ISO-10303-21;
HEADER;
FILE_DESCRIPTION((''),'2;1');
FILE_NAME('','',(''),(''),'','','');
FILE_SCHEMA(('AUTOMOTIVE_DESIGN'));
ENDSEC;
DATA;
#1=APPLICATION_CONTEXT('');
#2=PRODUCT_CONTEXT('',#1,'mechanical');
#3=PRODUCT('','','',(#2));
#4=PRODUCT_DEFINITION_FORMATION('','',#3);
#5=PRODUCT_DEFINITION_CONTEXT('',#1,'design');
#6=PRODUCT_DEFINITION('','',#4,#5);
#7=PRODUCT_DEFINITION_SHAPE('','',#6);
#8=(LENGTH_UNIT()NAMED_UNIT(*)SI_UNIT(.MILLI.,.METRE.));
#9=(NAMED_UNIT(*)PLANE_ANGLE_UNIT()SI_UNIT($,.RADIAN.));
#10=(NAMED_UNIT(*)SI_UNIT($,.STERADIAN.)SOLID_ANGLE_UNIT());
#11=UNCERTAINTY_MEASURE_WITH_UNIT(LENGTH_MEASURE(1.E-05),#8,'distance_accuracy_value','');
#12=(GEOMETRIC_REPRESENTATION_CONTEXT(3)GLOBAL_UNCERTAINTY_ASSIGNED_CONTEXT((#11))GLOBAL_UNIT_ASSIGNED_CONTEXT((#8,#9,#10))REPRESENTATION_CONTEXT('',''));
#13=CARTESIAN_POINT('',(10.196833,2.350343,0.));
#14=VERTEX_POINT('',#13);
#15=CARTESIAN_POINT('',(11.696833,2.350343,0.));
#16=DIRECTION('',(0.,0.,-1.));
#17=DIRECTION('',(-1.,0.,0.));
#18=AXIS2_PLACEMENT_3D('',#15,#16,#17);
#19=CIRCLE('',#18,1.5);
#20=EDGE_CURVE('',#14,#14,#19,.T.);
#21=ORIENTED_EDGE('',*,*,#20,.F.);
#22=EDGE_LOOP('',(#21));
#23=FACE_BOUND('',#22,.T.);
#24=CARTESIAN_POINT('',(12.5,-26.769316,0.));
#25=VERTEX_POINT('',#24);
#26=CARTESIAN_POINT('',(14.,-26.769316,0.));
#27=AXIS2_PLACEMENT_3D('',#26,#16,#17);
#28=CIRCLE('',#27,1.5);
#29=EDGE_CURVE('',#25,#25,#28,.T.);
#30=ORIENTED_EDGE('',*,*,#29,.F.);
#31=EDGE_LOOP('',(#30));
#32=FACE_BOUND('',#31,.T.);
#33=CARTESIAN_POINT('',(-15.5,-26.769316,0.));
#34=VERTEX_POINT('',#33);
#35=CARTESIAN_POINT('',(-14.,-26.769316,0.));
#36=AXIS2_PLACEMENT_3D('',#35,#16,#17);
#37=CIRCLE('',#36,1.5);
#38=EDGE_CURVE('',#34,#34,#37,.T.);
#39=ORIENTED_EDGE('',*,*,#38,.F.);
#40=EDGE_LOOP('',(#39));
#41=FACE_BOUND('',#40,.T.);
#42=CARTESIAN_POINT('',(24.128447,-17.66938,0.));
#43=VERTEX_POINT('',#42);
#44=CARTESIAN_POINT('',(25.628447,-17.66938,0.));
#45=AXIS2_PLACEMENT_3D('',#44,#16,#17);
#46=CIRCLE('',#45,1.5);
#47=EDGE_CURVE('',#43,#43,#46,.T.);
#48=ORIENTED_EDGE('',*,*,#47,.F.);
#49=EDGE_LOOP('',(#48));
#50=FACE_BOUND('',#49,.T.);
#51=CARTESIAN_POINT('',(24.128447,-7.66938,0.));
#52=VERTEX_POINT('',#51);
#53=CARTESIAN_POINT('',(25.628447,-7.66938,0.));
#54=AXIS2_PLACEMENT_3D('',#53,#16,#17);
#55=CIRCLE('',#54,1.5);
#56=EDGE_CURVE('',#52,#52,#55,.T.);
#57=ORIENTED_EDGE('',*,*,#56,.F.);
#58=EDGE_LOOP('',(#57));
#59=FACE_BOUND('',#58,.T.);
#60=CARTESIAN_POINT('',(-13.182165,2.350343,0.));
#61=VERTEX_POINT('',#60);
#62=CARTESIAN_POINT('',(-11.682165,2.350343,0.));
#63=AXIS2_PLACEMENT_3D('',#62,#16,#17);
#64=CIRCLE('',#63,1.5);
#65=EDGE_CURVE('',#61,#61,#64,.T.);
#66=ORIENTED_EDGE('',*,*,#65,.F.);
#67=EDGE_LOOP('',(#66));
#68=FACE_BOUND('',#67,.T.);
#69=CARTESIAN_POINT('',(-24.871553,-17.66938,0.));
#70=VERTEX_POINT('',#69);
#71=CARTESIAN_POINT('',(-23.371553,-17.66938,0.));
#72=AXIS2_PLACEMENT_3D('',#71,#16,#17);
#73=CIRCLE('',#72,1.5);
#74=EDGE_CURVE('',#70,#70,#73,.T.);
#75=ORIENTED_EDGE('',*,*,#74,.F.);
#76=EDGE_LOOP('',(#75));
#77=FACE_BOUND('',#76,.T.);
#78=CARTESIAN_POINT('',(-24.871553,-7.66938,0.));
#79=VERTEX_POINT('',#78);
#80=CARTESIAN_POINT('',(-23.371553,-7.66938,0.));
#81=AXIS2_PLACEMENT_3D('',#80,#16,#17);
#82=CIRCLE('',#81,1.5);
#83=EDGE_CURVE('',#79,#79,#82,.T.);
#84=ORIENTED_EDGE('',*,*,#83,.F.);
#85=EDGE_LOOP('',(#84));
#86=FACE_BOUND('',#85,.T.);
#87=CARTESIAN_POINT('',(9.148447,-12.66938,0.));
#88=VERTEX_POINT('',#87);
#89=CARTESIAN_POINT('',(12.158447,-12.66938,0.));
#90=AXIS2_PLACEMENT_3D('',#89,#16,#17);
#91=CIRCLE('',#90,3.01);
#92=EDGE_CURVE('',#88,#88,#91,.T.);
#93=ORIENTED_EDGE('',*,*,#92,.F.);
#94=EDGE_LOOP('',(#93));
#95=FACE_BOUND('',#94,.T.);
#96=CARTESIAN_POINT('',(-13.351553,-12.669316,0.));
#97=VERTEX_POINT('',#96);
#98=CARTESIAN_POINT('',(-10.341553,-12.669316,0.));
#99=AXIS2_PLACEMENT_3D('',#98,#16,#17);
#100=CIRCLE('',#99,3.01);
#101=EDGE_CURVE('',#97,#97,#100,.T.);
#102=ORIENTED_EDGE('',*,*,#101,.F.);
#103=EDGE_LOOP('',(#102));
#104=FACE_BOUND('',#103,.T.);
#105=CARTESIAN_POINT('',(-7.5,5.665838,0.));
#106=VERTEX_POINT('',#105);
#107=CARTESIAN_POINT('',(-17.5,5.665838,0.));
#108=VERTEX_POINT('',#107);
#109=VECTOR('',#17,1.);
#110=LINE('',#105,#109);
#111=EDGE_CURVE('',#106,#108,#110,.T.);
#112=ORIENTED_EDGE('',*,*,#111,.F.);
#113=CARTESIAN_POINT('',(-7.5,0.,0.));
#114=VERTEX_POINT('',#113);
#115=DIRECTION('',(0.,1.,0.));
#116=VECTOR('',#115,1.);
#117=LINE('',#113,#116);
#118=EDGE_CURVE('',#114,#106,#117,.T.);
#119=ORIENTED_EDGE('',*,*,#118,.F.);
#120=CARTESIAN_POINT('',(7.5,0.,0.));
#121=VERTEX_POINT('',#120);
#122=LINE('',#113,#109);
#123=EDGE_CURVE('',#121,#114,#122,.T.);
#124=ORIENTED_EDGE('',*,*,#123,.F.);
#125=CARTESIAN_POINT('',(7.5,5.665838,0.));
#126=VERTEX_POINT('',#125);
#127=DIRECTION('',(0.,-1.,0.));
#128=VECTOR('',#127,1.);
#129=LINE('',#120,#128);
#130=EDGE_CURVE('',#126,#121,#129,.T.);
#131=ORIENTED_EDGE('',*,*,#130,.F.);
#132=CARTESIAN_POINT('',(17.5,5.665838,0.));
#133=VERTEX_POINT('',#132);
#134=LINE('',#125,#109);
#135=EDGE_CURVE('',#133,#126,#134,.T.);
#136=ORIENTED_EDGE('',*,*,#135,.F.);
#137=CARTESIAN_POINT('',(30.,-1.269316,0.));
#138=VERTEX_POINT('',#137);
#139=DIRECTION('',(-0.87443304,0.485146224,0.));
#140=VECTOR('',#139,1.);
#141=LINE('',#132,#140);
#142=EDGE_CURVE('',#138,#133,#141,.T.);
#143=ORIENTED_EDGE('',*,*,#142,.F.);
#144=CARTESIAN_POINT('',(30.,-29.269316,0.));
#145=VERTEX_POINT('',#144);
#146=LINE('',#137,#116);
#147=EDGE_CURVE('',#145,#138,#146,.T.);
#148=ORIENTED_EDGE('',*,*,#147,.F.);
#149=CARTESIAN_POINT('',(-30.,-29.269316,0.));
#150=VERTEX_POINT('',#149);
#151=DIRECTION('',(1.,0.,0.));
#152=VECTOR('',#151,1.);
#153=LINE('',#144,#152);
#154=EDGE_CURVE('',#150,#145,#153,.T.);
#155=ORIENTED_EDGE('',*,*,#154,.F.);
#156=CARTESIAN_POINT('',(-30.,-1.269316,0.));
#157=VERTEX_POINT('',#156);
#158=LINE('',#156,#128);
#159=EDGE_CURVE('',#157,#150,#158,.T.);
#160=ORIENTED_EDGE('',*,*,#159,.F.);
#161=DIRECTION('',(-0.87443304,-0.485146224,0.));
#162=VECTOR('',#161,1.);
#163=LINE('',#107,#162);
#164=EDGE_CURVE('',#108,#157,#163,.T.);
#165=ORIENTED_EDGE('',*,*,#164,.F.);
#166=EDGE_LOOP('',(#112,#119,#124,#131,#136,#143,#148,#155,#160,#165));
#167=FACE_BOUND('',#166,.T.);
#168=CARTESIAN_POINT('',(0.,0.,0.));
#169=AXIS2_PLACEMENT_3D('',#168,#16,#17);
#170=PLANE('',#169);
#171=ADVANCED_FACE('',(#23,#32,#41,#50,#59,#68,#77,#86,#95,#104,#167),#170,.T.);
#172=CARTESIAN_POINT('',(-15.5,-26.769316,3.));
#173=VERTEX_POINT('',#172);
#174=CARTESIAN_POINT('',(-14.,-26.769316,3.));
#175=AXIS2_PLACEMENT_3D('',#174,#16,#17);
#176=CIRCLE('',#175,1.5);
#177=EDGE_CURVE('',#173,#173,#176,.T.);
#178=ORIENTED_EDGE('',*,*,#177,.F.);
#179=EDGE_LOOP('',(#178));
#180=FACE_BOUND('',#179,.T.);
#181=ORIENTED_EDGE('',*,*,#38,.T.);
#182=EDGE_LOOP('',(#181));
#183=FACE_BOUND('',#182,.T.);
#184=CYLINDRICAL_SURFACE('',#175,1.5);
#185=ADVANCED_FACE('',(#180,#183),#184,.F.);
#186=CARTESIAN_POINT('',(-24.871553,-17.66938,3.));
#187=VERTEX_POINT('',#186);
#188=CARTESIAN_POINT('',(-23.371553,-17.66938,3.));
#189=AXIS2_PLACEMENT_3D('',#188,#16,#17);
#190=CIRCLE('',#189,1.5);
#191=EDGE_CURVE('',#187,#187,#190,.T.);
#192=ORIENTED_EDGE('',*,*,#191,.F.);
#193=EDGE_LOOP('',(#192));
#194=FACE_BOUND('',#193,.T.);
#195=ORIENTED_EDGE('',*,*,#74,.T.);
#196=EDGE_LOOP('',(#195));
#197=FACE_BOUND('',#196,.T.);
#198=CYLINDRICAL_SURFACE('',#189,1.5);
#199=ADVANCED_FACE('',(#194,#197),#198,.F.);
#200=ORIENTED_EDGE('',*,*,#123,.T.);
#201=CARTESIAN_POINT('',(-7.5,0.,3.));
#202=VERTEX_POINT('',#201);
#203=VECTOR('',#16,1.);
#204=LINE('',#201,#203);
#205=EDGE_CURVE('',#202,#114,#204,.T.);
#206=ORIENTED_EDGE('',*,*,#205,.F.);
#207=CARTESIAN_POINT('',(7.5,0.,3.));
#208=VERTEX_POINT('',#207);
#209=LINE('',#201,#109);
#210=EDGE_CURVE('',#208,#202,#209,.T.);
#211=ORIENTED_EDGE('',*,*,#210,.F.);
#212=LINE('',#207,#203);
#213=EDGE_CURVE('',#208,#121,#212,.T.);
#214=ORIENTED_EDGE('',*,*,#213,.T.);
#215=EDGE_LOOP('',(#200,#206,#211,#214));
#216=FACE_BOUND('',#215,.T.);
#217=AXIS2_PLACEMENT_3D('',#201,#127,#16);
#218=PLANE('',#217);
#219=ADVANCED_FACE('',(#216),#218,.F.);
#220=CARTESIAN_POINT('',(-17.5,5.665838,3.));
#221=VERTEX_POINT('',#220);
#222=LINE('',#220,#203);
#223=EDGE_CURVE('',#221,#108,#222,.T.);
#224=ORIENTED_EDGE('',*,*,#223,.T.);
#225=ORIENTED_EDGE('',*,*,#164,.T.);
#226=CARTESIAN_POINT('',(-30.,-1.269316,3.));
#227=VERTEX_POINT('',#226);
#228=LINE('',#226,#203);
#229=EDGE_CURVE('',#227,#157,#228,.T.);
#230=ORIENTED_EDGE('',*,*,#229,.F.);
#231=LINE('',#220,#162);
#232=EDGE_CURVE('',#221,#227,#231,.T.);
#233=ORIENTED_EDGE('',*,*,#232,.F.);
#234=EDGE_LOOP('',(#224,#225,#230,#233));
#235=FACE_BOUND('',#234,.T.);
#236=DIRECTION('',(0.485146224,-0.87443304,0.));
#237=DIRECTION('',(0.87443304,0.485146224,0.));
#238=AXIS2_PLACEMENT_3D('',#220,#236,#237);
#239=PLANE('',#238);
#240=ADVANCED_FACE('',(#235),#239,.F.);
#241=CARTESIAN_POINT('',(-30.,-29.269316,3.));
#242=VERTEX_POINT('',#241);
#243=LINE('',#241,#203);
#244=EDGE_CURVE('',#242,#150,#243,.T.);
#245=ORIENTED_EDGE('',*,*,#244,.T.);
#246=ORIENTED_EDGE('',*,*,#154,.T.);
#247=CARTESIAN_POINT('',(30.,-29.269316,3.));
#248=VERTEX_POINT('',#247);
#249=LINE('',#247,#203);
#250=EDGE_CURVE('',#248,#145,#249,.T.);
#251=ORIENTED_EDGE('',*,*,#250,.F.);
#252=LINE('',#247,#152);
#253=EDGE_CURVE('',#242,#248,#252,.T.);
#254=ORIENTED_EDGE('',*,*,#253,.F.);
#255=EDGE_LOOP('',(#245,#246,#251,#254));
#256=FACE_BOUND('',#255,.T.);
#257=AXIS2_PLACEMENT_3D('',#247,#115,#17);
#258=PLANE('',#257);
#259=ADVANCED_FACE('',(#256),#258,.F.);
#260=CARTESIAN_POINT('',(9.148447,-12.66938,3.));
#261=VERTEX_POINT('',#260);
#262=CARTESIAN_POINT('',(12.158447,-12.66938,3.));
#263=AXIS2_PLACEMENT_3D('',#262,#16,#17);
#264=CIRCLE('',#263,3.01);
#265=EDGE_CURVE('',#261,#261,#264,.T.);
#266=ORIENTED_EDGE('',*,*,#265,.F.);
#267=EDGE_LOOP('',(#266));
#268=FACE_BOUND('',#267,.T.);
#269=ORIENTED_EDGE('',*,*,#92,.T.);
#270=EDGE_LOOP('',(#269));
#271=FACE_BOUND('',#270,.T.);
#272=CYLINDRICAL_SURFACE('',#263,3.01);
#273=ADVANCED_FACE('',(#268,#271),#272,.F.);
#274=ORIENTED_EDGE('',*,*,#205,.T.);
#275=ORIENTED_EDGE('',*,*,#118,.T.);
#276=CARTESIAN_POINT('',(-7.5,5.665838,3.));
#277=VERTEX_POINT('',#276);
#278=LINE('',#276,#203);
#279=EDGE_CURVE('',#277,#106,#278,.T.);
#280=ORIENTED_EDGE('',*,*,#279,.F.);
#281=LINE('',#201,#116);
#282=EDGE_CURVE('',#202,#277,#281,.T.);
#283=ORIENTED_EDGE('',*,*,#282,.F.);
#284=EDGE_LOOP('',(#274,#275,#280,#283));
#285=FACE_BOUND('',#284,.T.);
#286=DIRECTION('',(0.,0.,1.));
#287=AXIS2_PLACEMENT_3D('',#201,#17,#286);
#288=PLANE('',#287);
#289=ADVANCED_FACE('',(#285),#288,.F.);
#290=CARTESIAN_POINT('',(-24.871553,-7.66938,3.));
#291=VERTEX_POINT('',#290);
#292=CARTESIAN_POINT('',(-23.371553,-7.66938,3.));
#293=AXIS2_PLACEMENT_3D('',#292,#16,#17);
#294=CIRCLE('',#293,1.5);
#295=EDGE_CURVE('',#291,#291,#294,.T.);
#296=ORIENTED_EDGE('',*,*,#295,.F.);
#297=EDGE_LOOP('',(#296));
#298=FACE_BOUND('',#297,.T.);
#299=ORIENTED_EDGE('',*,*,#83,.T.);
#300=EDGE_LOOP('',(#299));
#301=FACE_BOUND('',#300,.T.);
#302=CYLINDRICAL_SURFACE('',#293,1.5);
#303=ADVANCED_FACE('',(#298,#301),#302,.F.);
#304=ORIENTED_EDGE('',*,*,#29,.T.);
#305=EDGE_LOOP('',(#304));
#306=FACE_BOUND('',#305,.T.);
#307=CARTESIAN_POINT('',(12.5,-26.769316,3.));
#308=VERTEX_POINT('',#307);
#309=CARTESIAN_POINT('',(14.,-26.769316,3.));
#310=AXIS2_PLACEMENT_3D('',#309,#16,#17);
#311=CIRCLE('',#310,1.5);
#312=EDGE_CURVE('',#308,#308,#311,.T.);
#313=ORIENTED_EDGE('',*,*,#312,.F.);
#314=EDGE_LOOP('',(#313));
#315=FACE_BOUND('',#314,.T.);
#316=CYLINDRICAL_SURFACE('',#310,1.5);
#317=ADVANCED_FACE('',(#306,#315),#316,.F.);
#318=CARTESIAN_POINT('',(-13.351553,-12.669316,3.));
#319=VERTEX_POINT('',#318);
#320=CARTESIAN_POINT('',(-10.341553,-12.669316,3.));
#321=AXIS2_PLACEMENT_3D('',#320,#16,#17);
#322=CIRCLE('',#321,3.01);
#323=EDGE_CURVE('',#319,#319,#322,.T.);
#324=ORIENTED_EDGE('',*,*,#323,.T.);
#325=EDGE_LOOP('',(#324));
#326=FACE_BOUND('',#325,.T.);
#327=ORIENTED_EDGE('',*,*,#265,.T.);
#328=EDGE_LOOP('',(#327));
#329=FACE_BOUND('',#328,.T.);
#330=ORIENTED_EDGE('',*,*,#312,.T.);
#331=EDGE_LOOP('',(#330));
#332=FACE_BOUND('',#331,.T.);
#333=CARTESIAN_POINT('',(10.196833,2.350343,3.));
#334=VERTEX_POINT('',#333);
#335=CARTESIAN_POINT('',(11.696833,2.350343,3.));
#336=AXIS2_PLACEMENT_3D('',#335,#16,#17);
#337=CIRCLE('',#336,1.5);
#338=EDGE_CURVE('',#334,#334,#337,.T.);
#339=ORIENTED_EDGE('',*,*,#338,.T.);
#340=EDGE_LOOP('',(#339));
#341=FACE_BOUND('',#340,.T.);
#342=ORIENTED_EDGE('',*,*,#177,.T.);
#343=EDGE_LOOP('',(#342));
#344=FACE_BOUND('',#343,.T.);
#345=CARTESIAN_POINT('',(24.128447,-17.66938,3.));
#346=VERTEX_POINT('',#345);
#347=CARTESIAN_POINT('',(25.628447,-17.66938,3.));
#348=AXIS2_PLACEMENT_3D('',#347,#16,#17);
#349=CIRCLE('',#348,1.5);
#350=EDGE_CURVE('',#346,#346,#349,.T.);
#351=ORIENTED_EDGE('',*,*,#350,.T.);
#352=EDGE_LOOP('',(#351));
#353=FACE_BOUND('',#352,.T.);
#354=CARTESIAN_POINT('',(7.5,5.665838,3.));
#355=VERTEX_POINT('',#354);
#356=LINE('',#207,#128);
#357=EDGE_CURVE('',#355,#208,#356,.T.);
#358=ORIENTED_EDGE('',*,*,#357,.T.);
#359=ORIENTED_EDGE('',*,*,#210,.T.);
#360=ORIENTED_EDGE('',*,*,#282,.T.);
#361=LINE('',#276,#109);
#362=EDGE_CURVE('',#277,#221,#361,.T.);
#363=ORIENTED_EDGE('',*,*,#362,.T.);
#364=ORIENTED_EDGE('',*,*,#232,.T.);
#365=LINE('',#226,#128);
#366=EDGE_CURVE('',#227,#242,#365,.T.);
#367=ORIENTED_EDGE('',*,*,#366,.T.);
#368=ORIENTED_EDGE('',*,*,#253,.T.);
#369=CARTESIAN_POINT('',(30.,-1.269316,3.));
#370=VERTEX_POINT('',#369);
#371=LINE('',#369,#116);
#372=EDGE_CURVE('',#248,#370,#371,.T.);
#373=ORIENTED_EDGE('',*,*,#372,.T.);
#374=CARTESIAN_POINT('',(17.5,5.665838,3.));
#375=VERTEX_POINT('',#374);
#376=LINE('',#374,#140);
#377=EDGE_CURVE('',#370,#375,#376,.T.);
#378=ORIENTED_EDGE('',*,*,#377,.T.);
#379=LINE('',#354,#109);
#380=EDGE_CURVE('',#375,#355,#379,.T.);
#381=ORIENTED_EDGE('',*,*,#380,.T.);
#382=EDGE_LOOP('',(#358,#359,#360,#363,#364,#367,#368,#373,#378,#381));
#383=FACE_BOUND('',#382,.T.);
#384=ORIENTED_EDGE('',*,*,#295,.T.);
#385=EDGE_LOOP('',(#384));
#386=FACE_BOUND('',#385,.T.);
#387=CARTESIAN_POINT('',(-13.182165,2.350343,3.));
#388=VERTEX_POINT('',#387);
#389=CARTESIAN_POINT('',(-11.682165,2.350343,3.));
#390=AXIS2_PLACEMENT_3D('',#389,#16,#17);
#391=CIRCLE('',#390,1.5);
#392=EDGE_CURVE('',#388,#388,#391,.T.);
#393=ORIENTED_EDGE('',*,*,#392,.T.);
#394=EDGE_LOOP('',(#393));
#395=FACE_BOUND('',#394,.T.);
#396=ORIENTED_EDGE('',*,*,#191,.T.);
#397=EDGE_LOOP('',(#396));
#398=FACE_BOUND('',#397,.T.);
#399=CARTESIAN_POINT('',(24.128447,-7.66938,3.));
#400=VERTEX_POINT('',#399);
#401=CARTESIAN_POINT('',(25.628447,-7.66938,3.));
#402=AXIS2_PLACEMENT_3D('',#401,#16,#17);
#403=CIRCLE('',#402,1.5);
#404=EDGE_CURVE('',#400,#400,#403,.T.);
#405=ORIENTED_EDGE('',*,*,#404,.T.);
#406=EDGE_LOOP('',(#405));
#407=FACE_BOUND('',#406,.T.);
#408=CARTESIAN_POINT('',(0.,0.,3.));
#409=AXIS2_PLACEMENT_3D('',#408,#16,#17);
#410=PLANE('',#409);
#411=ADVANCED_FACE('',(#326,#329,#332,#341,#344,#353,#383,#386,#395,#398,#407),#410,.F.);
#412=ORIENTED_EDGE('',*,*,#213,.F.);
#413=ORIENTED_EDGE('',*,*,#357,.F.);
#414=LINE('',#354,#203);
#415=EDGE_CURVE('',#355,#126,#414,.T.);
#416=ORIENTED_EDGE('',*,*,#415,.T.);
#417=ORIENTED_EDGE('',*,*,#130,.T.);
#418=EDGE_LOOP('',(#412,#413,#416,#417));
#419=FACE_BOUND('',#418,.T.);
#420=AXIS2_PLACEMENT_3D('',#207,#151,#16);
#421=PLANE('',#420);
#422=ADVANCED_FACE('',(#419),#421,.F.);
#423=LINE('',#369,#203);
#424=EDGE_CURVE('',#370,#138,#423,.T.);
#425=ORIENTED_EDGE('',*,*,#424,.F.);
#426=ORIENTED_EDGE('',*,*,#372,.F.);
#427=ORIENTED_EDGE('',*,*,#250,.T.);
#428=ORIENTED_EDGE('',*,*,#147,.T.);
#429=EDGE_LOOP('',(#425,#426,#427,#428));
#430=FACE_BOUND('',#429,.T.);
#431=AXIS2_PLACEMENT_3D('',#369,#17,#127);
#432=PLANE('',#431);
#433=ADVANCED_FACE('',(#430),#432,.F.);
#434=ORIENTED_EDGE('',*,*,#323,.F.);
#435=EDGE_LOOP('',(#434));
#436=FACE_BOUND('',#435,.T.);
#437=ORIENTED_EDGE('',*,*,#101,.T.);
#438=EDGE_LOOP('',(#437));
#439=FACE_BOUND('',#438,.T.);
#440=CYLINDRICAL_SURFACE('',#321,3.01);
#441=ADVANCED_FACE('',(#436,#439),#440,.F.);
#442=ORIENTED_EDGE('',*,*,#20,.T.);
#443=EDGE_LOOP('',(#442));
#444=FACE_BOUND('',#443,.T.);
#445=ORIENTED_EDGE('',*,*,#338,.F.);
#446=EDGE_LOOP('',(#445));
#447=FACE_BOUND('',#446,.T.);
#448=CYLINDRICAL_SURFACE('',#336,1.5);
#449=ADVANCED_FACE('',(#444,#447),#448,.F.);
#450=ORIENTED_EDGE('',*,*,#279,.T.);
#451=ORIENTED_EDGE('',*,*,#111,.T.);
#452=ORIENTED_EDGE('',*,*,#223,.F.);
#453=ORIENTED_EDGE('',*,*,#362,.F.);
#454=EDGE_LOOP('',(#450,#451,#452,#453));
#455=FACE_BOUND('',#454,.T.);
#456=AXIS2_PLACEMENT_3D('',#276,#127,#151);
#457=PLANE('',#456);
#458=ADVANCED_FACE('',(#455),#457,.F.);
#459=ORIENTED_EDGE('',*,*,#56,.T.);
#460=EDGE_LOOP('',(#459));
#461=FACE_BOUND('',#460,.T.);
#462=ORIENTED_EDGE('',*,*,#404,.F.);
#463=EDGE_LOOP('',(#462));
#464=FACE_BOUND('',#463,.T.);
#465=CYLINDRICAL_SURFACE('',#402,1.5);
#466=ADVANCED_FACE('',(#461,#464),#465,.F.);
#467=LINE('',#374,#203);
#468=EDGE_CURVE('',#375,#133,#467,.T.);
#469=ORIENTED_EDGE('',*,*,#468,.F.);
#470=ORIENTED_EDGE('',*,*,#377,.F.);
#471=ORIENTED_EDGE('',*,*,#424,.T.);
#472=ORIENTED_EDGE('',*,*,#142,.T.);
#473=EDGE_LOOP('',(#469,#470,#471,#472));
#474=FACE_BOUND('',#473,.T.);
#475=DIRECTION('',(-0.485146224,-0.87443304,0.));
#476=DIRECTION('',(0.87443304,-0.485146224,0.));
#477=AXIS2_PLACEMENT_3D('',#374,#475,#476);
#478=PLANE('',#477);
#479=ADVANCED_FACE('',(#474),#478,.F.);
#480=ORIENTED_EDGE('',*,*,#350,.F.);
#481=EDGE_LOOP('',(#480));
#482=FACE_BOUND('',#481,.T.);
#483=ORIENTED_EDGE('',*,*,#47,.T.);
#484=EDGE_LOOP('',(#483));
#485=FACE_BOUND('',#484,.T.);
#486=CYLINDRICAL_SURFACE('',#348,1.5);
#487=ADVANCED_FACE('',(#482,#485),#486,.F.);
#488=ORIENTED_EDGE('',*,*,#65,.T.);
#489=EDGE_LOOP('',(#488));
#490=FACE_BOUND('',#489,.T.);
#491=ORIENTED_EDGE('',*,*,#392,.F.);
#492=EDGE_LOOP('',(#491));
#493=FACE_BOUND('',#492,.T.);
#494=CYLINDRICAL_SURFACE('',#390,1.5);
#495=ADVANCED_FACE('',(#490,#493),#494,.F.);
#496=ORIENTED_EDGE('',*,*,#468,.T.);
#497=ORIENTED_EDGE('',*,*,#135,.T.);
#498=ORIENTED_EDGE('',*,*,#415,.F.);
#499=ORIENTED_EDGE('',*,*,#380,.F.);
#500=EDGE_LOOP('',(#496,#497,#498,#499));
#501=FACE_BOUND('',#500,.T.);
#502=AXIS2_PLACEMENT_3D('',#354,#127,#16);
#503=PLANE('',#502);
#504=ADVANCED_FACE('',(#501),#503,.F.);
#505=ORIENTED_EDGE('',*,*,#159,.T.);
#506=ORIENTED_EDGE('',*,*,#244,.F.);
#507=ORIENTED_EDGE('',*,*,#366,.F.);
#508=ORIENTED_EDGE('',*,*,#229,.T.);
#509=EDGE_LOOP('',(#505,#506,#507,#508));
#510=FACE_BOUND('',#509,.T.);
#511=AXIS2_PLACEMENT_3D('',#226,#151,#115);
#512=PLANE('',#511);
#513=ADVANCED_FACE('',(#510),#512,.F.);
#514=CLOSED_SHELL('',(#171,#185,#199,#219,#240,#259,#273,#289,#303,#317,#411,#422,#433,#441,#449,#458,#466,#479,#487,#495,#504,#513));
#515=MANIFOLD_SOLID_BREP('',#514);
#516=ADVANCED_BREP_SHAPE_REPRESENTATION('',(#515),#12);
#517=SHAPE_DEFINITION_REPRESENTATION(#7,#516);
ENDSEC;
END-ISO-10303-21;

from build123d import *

# Parameters (mm, degrees)
EXTRUDE_1_DEPTH      = 3
SKETCH_2_R           = 1.5
CUT_EXTRUDE_7_DEPTH  = 43.02014847
SKETCH_4_R           = 1.5
CUT_EXTRUDE_8_DEPTH  = 43.02014847
SKETCH_5_R           = 3.01
CUT_EXTRUDE_9_DEPTH  = 43.02014847
SKETCH_6_R           = 1.5
CUT_EXTRUDE_10_DEPTH = 43.02014847


with BuildPart() as part:
    # 草图1 → 凸台-拉伸1 (new body)
    with BuildSketch(Plane.XY):
        Polygon((-7.5, 0), (7.5, 0), (7.5, 5.665837688), (17.5, 5.665837688), (30, -1.269316313), (30, -29.269316313), (-30, -29.269316313), (-30, -1.269316313), (-17.5, 5.665837688), (-7.5, 5.665837688), align=None)
    extrude(amount=EXTRUDE_1_DEPTH)

    # 草图2 → 切除-拉伸7 (cut, through all)
    with BuildSketch(Plane(origin=(0, 0, 0), x_dir=(-1, 0, 0), z_dir=(0, 0, -1))):
        with Locations((-25.62844718, -17.669380188)):
            Circle(SKETCH_2_R)
        with Locations((-25.62844718, -7.669380188)):
            Circle(SKETCH_2_R)
        with Locations((23.37155282, -17.669380188)):
            Circle(SKETCH_2_R)
        with Locations((23.37155282, -7.669380188)):
            Circle(SKETCH_2_R)
    extrude(amount=-CUT_EXTRUDE_7_DEPTH, mode=Mode.SUBTRACT)

    # 草图4 → 切除-拉伸8 (cut, through all)
    with BuildSketch(Plane(origin=(0, 0, 0), x_dir=(-1, 0, 0), z_dir=(0, 0, -1))):
        with Locations((-11.696832964, 2.350343297)):
            Circle(SKETCH_4_R)
        with Locations((11.682164636, 2.350343297)):
            Circle(SKETCH_4_R)
    extrude(amount=-CUT_EXTRUDE_8_DEPTH, mode=Mode.SUBTRACT)

    # 草图5 → 切除-拉伸9 (cut, through all)
    with BuildSketch(Plane(origin=(0, 0, 0), x_dir=(-1, 0, 0), z_dir=(0, 0, -1))):
        with Locations((10.34155282, -12.669316313)):
            Circle(SKETCH_5_R)
        with Locations((-12.15844718, -12.669380188)):
            Circle(SKETCH_5_R)
    extrude(amount=-CUT_EXTRUDE_9_DEPTH, mode=Mode.SUBTRACT)

    # 草图6 → 切除-拉伸10 (cut, through all)
    with BuildSketch(Plane(origin=(0, 0, 0), x_dir=(-1, 0, 0), z_dir=(0, 0, -1))):
        with Locations((14, -26.769316313)):
            Circle(SKETCH_6_R)
        with Locations((-14, -26.769316313)):
            Circle(SKETCH_6_R)
    extrude(amount=-CUT_EXTRUDE_10_DEPTH, mode=Mode.SUBTRACT)


solid = part.part
